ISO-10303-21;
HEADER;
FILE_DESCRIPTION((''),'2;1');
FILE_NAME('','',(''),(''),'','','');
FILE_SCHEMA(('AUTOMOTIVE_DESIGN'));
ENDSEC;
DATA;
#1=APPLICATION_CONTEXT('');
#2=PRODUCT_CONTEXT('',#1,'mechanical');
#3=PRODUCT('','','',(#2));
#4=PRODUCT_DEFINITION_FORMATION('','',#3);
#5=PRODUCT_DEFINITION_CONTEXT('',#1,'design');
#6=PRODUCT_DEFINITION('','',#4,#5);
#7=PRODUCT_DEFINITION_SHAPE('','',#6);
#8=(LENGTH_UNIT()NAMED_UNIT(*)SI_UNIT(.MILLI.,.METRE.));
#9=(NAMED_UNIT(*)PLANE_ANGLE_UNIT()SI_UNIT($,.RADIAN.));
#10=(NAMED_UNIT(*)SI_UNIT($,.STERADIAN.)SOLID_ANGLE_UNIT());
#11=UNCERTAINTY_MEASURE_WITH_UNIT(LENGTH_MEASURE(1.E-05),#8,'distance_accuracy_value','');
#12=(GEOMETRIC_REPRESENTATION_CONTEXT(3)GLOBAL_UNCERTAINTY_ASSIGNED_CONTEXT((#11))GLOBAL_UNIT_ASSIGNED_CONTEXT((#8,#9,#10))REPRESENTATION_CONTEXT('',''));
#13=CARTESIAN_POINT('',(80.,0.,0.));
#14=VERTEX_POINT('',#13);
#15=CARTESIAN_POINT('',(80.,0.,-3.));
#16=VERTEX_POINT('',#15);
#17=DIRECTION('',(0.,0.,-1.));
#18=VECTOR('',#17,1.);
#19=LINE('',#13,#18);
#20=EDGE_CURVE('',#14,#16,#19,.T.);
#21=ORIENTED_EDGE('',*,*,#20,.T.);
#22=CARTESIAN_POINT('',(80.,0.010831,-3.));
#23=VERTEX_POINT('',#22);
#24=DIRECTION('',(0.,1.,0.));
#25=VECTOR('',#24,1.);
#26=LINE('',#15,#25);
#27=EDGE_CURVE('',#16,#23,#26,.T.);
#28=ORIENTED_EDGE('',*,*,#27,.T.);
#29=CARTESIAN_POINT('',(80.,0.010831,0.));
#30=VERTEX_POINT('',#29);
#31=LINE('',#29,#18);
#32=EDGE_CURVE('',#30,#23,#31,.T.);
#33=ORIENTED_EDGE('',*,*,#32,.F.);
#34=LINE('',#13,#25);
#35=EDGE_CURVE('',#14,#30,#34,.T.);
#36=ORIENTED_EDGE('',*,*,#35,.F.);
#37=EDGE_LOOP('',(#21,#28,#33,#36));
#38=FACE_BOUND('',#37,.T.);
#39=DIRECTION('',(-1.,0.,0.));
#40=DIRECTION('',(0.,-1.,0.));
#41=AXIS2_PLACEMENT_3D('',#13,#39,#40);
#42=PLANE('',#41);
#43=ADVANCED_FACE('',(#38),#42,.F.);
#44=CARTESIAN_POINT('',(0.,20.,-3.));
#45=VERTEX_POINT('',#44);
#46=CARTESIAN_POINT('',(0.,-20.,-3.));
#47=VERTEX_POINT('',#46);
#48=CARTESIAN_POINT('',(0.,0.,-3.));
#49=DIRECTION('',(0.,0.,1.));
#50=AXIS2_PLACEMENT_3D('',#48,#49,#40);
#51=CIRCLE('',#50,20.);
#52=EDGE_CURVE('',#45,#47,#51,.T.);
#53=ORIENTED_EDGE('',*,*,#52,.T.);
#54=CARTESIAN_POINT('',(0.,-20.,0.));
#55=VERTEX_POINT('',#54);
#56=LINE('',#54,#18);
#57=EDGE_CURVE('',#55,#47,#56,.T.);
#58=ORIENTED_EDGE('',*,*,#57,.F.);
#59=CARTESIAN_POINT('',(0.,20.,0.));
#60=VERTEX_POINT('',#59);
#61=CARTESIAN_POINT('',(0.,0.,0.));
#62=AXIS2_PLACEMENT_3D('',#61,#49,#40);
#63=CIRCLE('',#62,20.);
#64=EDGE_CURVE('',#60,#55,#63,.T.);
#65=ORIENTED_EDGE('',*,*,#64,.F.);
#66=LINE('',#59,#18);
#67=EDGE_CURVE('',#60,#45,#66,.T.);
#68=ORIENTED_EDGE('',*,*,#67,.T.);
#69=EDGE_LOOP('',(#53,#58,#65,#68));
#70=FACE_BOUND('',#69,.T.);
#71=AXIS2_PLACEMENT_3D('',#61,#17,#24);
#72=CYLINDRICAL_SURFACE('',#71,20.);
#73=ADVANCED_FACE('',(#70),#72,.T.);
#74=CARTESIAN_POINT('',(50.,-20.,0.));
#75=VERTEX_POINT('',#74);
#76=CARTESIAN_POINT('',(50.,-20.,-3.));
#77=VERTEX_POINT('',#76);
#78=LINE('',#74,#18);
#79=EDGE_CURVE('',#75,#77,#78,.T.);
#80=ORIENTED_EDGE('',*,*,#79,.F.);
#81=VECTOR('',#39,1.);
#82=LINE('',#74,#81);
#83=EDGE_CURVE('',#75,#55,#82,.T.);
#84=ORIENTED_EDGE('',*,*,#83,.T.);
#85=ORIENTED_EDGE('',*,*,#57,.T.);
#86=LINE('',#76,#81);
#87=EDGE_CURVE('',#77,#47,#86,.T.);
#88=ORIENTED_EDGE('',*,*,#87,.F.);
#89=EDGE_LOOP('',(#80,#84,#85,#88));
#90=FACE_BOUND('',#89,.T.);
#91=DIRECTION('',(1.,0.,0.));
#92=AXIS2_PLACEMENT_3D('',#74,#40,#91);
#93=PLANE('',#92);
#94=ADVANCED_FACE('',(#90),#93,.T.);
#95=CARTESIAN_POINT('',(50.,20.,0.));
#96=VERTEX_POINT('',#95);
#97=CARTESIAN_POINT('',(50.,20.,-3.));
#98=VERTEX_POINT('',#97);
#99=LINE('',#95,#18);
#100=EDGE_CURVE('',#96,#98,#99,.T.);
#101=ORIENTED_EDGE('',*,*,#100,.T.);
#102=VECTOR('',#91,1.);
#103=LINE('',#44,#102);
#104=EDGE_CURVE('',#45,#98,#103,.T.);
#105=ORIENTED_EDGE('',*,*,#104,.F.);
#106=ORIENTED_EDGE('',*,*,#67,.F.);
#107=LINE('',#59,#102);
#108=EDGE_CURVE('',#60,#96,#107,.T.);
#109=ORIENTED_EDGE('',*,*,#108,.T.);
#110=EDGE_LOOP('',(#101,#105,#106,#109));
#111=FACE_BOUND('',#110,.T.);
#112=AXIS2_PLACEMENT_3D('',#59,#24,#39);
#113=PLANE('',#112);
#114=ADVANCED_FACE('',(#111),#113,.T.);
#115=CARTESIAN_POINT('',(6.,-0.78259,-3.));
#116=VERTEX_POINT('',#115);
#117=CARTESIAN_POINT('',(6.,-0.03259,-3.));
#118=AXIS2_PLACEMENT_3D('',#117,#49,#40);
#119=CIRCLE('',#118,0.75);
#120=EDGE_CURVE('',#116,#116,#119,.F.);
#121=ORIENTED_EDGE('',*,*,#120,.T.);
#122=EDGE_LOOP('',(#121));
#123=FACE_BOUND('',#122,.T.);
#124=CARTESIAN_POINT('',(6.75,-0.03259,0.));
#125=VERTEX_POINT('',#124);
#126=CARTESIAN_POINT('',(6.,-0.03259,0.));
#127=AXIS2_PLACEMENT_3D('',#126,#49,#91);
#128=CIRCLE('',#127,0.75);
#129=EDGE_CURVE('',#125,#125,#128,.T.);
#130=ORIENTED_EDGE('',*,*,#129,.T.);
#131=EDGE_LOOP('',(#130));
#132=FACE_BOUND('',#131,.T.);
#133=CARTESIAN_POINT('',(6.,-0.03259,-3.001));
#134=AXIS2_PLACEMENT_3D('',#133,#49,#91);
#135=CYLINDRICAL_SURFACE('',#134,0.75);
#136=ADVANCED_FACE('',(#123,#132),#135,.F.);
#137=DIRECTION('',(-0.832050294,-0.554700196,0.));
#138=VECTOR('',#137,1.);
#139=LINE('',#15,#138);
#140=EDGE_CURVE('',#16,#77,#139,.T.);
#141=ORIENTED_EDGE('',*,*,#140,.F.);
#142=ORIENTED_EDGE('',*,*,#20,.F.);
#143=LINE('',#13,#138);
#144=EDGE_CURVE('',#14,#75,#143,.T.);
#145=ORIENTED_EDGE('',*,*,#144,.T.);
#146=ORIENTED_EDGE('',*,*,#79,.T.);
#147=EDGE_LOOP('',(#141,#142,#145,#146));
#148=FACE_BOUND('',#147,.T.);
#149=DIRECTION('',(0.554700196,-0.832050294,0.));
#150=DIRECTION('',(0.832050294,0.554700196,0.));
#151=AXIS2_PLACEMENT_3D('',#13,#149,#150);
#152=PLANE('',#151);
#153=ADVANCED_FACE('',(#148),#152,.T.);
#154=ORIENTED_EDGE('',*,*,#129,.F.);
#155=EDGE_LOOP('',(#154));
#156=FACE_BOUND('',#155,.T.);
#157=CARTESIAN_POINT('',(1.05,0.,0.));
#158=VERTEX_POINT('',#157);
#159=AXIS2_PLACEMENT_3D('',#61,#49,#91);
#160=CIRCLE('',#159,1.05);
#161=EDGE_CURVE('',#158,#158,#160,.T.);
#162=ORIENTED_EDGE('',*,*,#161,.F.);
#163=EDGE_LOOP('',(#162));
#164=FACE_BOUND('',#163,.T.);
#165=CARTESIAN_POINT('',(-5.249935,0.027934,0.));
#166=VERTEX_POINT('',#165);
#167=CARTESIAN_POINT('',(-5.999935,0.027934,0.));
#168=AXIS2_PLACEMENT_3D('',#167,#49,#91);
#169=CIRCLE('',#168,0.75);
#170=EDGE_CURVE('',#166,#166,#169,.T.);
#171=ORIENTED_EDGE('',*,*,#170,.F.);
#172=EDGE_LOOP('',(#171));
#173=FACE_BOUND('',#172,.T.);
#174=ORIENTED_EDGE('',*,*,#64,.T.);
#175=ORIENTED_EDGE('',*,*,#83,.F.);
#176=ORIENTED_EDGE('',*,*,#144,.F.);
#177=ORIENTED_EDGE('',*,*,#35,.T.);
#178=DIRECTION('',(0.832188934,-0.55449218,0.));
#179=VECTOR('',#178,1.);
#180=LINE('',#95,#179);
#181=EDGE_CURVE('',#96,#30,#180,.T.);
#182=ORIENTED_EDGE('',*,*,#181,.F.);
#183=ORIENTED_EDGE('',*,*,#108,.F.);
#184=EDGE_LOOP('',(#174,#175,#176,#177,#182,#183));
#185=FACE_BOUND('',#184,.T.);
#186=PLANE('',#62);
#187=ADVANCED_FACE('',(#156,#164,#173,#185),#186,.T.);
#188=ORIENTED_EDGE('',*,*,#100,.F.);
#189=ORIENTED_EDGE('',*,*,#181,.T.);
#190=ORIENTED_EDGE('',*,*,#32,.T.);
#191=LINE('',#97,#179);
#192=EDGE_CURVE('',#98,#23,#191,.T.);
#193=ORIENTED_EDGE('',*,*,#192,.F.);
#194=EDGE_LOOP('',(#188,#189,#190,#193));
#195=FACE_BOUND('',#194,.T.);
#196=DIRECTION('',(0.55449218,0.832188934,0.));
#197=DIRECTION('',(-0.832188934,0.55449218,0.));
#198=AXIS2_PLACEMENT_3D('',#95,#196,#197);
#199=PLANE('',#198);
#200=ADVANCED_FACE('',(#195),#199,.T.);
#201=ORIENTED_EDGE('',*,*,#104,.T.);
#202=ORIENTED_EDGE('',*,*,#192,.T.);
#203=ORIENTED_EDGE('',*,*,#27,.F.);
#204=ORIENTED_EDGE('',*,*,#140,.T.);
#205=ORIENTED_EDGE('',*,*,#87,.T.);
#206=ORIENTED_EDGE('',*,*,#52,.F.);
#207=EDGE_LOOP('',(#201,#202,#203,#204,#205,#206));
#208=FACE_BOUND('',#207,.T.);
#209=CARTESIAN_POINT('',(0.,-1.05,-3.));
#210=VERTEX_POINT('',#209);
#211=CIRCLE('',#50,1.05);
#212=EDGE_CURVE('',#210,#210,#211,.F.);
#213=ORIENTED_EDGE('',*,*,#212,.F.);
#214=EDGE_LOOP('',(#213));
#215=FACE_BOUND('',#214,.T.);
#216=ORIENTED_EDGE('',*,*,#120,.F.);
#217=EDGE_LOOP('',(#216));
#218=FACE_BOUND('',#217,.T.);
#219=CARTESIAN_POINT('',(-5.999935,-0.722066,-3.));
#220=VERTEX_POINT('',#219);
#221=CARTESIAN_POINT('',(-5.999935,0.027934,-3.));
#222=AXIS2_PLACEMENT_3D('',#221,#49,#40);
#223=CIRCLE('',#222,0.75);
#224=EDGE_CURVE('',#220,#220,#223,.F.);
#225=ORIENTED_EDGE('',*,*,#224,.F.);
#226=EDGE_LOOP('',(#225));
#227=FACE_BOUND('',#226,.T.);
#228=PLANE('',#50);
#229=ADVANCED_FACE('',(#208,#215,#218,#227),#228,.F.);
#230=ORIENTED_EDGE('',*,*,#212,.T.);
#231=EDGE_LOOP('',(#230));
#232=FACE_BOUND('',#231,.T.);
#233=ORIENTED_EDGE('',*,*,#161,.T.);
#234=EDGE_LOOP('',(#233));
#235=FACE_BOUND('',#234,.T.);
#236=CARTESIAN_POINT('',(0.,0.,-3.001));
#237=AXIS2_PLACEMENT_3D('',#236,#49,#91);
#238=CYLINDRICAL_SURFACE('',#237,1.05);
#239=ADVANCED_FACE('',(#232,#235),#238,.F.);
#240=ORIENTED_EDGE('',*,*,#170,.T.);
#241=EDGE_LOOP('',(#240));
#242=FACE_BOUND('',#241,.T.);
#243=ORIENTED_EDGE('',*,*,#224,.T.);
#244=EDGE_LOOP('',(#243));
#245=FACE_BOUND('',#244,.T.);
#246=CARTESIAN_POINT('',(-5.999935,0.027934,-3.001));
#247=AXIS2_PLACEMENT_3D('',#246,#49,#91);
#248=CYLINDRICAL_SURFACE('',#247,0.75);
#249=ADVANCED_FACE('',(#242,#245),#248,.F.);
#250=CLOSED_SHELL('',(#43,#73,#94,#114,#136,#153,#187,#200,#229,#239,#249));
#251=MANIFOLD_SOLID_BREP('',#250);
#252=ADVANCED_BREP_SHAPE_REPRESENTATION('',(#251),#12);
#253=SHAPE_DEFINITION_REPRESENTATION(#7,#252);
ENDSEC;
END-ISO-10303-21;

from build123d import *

# Parameters (mm, degrees)
BOSS_EXTRUDE1_DEPTH   = 3
BODY_MOVE_COPY1_ANGLE = 90
CUT_EXTRUDE2_REACH    = 84.517
SKETCH8_R             = 1.05
SKETCH8_R_2           = 0.75


with BuildPart() as part:
    # Sketch1 → Boss-Extrude1 (new body)
    with BuildSketch(Plane(origin=(0, 0, 0), x_dir=(1, 0, 0), z_dir=(0, 1, 0))):
        with BuildLine():
            Line((50, -20), (0, -20))
            ThreePointArc((0, -20), (-20, 0), (0, 20))
            Line((0, 20), (50, 20))
            Line((50, 20), (80, 0.010830805))
            Line((80, 0.010830805), (80, 0))
            Line((80, 0), (50, -20))
        make_face()
    extrude(amount=BOSS_EXTRUDE1_DEPTH)


with BuildPart() as part_1:
    # Body-Move/Copy1: moved
    add(part.part.rotate(Axis((0, 0, 0), (1, 0, 0)), BODY_MOVE_COPY1_ANGLE))

    # Sketch8 → Cut-Extrude2 (cut, up to next)
    with BuildSketch(Plane.XY.offset(3), mode=Mode.PRIVATE) as cut_extrude2_sk1:
        Circle(SKETCH8_R)
    cut_extrude2_tool1 = extrude(cut_extrude2_sk1.sketch, amount=-CUT_EXTRUDE2_REACH, mode=Mode.PRIVATE) & part_1.part
    # Sketch8 → Cut-Extrude2 (cut, up to next)
    with BuildSketch(Plane.XY.offset(3), mode=Mode.PRIVATE) as cut_extrude2_sk2:
        with Locations((6, -0.032589943)):
            Circle(SKETCH8_R_2)
    cut_extrude2_tool2 = extrude(cut_extrude2_sk2.sketch, amount=-CUT_EXTRUDE2_REACH, mode=Mode.PRIVATE) & part_1.part
    # Sketch8 → Cut-Extrude2 (cut, up to next)
    with BuildSketch(Plane.XY.offset(3), mode=Mode.PRIVATE) as cut_extrude2_sk3:
        with Locations((-5.999934973, 0.027934237)):
            Circle(SKETCH8_R_2)
    cut_extrude2_tool3 = extrude(cut_extrude2_sk3.sketch, amount=-CUT_EXTRUDE2_REACH, mode=Mode.PRIVATE) & part_1.part
    add(cut_extrude2_tool1.solids().sort_by_distance((0, 0, 3))[0], mode=Mode.SUBTRACT)
    add(cut_extrude2_tool2.solids().sort_by_distance((6, -0.03259, 3))[0], mode=Mode.SUBTRACT)
    add(cut_extrude2_tool3.solids().sort_by_distance((-5.999935, 0.027934, 3))[0], mode=Mode.SUBTRACT)


with BuildPart() as part_2:
    # Body-Move/Copy4: moved
    add(part_1.part.moved(Location((0, 0, -3))))


solid = part_2.part
